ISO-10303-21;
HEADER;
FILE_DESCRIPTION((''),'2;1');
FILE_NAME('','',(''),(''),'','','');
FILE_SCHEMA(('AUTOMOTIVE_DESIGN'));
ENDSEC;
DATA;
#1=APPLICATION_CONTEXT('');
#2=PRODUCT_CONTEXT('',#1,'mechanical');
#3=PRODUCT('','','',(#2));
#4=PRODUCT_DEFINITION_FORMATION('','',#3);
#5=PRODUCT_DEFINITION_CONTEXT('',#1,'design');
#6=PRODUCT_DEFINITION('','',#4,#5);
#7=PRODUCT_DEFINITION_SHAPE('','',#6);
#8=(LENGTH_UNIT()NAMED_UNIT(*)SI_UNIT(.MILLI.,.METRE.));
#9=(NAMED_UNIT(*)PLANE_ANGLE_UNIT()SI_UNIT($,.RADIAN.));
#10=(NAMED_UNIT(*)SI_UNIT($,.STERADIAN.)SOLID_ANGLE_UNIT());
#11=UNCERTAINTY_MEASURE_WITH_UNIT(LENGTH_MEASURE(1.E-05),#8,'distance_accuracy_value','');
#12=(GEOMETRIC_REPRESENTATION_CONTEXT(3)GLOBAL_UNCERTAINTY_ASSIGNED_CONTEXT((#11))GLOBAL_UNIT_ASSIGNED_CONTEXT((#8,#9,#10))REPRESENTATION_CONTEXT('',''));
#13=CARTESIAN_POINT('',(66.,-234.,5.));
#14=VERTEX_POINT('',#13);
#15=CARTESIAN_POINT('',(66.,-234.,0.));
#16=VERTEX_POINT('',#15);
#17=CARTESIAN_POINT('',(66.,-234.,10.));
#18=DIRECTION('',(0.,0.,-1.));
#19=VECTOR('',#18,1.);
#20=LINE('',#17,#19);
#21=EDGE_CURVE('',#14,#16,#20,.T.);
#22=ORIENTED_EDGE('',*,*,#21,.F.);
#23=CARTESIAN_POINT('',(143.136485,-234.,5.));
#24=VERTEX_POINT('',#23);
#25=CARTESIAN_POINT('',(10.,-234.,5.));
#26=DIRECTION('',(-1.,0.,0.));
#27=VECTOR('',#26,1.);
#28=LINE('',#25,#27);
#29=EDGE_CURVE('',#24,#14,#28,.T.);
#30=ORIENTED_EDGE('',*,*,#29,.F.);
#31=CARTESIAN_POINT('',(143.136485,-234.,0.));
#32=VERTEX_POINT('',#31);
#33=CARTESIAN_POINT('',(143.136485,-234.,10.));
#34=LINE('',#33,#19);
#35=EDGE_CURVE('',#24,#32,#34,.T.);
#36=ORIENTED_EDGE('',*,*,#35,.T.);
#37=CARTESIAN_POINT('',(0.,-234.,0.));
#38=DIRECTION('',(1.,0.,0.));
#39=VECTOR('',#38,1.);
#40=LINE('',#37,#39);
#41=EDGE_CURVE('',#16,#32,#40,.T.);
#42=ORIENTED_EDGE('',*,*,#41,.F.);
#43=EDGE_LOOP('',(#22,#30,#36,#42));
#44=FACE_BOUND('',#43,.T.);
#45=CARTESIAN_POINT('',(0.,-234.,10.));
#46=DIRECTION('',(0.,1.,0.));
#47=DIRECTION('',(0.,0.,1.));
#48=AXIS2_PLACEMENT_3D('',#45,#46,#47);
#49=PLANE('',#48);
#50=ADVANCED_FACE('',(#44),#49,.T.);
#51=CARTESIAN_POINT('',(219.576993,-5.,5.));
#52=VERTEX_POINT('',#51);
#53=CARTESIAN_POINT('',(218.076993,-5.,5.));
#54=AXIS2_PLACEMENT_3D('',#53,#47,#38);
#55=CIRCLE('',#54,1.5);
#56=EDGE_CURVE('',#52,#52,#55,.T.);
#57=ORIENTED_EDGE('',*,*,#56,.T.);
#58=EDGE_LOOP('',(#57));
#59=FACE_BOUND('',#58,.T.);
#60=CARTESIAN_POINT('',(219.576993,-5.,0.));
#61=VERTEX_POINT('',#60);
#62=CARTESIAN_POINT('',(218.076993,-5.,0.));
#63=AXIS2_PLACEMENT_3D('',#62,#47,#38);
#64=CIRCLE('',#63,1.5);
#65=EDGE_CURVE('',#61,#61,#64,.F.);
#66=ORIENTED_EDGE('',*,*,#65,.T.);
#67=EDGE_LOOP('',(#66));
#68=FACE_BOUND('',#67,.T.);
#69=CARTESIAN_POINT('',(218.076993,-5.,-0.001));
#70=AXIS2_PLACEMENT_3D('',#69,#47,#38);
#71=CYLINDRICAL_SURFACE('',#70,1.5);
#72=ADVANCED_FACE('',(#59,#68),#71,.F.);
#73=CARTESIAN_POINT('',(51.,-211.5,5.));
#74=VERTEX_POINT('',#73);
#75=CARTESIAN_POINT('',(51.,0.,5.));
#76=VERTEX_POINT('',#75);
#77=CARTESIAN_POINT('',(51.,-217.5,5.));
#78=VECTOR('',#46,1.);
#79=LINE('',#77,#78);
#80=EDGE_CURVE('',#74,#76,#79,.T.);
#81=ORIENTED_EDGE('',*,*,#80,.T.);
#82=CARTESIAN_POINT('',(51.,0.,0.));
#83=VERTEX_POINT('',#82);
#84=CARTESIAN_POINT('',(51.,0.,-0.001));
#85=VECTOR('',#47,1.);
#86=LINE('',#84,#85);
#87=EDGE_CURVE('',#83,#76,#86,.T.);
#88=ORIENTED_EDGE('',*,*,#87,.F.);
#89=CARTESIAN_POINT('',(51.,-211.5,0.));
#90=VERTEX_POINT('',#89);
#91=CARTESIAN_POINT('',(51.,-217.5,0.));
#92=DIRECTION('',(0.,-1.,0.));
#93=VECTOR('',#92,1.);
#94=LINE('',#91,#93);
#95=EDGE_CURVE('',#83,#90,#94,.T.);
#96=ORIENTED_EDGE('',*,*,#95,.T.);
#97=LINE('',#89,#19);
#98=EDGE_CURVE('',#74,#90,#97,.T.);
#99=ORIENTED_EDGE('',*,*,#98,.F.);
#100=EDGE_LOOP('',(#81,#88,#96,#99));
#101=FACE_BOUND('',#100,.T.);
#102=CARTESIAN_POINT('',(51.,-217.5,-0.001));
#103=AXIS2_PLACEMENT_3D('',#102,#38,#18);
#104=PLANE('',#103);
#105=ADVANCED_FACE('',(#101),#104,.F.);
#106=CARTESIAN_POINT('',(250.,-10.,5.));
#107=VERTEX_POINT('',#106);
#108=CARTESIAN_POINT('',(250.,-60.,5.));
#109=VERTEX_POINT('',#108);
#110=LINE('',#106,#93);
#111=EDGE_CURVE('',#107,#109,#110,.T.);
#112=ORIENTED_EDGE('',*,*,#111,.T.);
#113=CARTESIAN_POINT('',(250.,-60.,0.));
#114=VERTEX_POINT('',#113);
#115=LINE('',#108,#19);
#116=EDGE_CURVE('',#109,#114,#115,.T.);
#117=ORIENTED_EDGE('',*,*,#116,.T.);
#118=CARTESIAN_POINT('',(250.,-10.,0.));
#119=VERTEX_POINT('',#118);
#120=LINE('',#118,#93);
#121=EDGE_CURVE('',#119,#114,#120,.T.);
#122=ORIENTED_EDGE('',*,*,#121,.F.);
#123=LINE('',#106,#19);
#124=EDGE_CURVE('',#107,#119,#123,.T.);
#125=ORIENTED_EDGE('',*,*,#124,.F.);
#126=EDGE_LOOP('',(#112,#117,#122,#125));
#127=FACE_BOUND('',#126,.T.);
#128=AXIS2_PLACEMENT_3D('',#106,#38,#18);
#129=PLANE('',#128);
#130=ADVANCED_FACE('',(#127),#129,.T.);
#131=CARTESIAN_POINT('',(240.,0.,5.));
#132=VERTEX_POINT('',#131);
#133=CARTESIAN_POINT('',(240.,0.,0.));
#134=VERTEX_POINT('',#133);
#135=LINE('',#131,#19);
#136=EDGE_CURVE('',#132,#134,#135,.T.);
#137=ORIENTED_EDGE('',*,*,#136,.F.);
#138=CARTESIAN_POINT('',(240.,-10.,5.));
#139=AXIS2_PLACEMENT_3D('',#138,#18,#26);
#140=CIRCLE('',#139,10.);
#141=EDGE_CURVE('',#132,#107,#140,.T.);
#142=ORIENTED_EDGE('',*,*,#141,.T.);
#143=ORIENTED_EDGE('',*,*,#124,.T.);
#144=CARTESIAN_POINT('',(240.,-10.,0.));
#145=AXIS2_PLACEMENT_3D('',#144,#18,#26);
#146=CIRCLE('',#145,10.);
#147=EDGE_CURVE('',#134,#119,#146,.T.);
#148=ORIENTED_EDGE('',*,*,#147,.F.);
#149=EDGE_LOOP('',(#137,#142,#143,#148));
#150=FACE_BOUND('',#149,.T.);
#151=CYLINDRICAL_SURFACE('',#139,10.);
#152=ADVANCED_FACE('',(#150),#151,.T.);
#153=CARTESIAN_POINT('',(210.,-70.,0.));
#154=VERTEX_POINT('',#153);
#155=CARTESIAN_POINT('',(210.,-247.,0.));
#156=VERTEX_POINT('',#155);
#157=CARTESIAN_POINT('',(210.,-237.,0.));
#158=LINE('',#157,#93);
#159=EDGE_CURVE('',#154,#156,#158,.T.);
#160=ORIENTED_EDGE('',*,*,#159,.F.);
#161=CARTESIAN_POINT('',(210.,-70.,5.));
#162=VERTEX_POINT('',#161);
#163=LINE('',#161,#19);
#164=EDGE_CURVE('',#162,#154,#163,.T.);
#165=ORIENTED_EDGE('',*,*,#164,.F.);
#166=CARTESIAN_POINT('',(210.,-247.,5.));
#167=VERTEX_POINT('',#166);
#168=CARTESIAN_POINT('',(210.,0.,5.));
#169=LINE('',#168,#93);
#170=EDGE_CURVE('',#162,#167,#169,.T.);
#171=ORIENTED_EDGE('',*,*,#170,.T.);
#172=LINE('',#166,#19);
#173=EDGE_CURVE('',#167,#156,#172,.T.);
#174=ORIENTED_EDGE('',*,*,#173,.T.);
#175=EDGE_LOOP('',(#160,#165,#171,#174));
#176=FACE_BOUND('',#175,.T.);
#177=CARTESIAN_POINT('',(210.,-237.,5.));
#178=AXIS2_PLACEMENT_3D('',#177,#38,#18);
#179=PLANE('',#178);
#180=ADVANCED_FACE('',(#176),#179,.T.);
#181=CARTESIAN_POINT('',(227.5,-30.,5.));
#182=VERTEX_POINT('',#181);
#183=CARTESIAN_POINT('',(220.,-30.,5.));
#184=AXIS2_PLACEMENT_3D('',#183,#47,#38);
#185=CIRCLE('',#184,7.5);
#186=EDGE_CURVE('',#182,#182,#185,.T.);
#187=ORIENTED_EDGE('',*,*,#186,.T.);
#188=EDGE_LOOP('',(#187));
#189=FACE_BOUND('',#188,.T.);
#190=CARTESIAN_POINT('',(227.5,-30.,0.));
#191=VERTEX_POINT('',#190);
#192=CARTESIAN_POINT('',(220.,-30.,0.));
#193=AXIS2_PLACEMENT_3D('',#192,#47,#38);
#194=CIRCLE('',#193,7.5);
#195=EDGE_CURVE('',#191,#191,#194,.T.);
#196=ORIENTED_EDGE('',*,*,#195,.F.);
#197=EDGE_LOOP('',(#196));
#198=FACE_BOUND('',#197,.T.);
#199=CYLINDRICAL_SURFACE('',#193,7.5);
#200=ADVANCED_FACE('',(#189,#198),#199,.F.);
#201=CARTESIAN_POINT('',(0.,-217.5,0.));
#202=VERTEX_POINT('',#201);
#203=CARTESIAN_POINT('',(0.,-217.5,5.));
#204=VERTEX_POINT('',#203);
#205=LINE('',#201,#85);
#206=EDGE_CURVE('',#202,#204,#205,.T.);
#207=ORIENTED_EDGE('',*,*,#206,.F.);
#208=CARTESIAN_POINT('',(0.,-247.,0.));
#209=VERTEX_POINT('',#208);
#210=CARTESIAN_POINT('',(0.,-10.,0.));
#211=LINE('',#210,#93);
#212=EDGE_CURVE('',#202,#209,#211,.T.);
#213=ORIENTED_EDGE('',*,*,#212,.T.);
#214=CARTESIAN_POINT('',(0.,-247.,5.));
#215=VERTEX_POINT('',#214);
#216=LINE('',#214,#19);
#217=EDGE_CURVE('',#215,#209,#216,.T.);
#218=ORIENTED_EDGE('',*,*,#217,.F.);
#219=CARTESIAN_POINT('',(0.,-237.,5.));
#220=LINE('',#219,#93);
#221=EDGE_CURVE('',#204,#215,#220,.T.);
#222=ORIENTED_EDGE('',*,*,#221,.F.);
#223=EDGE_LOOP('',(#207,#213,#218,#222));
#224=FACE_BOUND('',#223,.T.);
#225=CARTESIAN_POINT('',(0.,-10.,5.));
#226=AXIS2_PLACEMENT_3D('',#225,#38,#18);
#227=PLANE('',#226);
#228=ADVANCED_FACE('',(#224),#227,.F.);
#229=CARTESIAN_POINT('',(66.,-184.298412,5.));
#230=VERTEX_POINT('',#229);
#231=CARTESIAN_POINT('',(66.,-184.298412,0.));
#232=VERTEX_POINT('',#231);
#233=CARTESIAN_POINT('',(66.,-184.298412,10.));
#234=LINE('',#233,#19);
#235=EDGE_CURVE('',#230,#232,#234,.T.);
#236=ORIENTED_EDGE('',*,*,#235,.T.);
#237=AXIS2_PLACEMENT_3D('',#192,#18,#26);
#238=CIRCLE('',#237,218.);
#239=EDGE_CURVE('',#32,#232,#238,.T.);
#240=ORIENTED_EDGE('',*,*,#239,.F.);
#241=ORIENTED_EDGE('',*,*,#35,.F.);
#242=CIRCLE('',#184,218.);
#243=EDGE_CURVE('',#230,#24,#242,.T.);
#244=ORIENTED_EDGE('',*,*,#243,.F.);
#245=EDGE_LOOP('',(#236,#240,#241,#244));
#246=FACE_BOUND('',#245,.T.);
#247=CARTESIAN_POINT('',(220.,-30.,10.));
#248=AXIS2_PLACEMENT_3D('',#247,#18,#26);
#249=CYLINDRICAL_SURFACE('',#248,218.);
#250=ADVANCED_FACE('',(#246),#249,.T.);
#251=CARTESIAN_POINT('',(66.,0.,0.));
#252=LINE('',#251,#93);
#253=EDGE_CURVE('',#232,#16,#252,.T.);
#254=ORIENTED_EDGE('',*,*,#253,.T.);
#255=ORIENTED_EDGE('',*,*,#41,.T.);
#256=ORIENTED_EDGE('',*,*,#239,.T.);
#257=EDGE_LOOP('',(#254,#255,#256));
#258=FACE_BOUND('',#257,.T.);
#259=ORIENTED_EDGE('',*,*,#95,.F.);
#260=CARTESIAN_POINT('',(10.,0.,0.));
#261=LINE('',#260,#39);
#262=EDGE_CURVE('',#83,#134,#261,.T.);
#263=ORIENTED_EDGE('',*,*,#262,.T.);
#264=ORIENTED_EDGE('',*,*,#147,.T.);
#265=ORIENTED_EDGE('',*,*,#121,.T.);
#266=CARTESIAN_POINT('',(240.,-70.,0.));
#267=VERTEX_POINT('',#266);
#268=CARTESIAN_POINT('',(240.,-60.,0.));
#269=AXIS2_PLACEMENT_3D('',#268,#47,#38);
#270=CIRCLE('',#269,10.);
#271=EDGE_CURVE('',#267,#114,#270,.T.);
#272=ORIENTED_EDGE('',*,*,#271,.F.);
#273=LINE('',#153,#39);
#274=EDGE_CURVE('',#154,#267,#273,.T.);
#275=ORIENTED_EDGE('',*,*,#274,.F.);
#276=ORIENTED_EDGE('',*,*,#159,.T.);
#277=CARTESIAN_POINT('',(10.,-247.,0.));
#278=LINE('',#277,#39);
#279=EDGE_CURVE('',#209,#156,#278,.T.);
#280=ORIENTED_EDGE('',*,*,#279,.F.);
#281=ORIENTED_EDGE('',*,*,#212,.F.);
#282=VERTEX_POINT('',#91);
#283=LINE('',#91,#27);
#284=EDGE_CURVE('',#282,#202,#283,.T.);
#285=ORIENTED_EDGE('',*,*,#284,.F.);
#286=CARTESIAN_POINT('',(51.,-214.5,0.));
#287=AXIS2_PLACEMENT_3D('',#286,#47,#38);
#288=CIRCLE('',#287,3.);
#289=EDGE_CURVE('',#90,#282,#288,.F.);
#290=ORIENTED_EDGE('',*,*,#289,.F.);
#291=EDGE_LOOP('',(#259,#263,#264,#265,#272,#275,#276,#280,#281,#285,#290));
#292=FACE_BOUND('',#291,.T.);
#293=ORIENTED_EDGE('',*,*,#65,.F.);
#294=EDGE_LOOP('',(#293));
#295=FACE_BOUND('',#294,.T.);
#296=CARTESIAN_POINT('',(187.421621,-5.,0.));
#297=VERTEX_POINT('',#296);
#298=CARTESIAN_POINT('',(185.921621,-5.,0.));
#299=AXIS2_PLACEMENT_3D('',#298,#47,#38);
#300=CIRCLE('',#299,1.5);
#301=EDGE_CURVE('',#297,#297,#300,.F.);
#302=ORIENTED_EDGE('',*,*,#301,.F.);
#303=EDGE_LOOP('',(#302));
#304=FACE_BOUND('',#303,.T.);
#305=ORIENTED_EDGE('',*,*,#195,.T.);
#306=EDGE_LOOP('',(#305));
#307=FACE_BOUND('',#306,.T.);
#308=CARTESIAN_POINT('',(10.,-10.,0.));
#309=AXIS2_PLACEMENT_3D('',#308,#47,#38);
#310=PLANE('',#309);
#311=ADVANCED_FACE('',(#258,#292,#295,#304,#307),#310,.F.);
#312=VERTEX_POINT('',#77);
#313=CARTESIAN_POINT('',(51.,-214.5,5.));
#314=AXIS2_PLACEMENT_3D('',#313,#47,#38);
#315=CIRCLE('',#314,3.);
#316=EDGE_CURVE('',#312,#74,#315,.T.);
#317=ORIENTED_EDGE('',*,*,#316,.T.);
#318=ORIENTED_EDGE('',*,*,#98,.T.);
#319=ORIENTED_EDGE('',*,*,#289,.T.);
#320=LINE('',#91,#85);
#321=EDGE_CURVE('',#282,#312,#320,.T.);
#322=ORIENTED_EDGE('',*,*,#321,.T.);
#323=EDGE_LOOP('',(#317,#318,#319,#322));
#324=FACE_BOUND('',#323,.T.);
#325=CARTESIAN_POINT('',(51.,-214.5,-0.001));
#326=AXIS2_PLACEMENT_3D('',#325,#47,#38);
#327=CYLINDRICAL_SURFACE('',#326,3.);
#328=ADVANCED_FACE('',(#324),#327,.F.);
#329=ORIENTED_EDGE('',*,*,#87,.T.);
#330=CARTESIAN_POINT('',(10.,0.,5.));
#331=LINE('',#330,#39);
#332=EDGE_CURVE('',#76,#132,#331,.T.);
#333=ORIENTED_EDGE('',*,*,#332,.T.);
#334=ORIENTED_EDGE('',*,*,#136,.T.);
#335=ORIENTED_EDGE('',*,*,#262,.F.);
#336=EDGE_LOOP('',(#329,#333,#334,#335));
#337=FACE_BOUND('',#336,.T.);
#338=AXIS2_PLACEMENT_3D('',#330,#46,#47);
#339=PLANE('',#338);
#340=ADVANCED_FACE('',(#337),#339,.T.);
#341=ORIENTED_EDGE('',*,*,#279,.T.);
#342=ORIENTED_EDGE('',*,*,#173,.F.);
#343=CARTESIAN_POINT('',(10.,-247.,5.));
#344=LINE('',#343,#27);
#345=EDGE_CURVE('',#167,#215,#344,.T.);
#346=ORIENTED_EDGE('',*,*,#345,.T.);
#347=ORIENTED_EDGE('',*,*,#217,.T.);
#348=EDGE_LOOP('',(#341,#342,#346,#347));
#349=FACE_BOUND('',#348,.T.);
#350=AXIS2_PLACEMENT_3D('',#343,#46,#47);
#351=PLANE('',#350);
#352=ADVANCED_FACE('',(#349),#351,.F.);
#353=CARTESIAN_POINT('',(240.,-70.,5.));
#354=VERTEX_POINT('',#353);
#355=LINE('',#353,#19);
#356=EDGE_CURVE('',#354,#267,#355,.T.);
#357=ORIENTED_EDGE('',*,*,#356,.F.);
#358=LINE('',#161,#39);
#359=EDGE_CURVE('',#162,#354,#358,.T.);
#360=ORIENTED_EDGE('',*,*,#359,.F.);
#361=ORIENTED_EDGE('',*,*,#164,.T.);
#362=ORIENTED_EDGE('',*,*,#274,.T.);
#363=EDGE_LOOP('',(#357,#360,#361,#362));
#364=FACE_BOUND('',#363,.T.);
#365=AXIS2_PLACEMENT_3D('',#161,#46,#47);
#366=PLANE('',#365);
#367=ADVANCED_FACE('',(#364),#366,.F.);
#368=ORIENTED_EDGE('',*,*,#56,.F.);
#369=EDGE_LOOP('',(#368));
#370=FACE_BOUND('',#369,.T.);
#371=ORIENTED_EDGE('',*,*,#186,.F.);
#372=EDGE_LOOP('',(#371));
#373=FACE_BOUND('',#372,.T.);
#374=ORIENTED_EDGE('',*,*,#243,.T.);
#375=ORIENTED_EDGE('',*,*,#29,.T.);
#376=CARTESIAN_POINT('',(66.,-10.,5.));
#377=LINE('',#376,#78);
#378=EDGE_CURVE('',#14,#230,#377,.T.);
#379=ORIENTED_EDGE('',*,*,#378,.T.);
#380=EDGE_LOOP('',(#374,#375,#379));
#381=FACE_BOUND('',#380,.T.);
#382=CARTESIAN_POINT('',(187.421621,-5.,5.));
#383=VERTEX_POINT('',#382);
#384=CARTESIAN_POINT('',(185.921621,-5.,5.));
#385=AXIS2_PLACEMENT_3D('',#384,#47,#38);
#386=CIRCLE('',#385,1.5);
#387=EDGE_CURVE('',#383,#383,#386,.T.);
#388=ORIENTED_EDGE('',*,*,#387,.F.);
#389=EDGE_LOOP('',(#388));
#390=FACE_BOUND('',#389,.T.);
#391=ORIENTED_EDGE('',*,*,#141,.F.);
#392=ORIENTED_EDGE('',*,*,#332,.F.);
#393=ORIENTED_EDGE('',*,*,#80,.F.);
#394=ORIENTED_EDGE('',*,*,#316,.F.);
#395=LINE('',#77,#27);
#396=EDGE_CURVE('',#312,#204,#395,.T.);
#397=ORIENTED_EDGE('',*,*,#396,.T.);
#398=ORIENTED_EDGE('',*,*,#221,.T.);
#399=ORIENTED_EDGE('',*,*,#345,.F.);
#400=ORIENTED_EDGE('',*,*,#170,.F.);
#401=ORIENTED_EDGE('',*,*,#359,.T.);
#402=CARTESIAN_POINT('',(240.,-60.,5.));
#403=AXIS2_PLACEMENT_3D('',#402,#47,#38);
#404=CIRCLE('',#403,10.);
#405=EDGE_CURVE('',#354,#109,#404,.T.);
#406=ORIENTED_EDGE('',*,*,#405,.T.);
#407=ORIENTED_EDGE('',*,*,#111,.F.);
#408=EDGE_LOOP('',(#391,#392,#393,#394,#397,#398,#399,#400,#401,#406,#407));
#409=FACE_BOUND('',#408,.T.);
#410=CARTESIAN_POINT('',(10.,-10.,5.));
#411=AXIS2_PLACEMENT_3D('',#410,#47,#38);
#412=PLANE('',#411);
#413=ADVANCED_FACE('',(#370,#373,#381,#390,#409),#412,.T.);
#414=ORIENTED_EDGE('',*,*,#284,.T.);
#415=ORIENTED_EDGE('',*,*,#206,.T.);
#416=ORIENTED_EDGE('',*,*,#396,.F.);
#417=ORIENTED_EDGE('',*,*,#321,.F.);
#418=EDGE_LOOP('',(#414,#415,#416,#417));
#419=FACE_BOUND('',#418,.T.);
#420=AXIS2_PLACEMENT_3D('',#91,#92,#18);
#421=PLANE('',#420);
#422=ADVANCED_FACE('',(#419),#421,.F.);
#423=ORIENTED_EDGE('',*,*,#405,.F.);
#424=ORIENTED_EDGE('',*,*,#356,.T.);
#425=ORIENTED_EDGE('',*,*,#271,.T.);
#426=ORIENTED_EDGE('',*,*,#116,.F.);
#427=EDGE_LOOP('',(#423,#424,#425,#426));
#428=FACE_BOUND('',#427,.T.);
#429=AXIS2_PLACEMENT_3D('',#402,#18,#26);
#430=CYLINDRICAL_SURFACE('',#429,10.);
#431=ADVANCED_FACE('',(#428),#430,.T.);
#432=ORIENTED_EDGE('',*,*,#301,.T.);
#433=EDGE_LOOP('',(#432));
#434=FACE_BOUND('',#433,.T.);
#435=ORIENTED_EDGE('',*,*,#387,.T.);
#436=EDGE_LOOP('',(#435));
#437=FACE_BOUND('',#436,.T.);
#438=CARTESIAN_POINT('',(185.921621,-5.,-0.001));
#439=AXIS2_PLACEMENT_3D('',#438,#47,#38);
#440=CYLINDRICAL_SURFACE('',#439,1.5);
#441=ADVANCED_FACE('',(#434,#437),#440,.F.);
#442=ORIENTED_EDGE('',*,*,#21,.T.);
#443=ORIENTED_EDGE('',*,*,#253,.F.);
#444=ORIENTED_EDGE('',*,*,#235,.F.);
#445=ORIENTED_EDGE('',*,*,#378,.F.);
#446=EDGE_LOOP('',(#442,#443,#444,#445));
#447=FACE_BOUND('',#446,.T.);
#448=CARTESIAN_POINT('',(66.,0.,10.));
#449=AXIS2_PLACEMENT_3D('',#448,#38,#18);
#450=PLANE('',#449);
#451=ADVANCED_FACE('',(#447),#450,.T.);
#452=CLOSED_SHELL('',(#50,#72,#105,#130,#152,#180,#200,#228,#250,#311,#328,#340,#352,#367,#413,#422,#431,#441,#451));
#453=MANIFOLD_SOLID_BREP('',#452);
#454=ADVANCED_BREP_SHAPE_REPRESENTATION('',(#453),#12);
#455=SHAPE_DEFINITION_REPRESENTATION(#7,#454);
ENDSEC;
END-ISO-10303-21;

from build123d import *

# Parameters (mm, degrees)
EXTRUDE_1_DEPTH     = 5
SKETCH_2_R          = 7.5
CUT_EXTRUDE_1_DEPTH = 5
SKETCH_3_W          = 5
SKETCH_3_H          = 6
CUT_EXTRUDE_3_DEPTH = 51
CUT_EXTRUDE_4_REACH = 353.474
CUT_EXTRUDE_6_REACH = 353.474
SKETCH_6_R          = 1.5
CUT_EXTRUDE_7_REACH = 353.474
SKETCH_7_W          = 51
SKETCH_7_H          = 217.5
CUT_EXTRUDE_9_DEPTH = 10


with BuildPart() as part:
    # 草图1 → 凸台-拉伸1 (new body)
    with BuildSketch(Plane.XY):
        with BuildLine():
            Line((210, -247), (210, -237))
            Line((210, -237), (210, -70))
            Line((210, -70), (210, 0))
            Line((210, 0), (10, 0))
            ThreePointArc((10, 0), (2.928932188, -2.928932188), (0, -10))
            Line((0, -10), (0, -237))
            Line((0, -237), (0, -247))
            Line((0, -247), (10, -247))
            Line((10, -247), (200, -247))
            Line((200, -247), (210, -247))
        make_face()
        with BuildLine():
            Line((210, 0), (210, -70))
            Line((210, -70), (240, -70))
            ThreePointArc((240, -70), (247.071067812, -67.071067812), (250, -60))
            Line((250, -60), (250, -10))
            ThreePointArc((250, -10), (247.071067812, -2.928932188), (240, 0))
            Line((240, 0), (210, 0))
        make_face()
    extrude(amount=EXTRUDE_1_DEPTH)

    # 草图2 → 切除-拉伸1 (cut)
    with BuildSketch(Plane.XY.offset(5)):
        with Locations((220, -30)):
            Circle(SKETCH_2_R)
    extrude(amount=-CUT_EXTRUDE_1_DEPTH, mode=Mode.SUBTRACT)

    # 草图3 → 切除-拉伸3 (cut)
    with BuildSketch(Plane.ZY):
        with Locations((2.5, -214.5)):
            Rectangle(SKETCH_3_W, SKETCH_3_H)
    extrude(amount=-CUT_EXTRUDE_3_DEPTH, mode=Mode.SUBTRACT)

    # 草图4 → 切除-拉伸4 (cut, up to next)
    with BuildSketch(Plane.XY.offset(5), mode=Mode.PRIVATE) as cut_extrude_4_sk1:
        with BuildLine():
            Line((51, -211.5), (51, -217.5))
            ThreePointArc((51, -217.5), (54, -214.5), (51, -211.5))
        make_face()
    cut_extrude_4_tool1 = extrude(cut_extrude_4_sk1.sketch, amount=-CUT_EXTRUDE_4_REACH, mode=Mode.PRIVATE) & part.part
    add(cut_extrude_4_tool1.solids().sort_by_distance((52.27324, -214.5, 5))[0], mode=Mode.SUBTRACT)

    # 草图6 → 切除-拉伸6 (cut, up to next)
    with BuildSketch(Plane.XY.offset(5), mode=Mode.PRIVATE) as cut_extrude_6_sk1:
        with Locations((218.076993274, -5)):
            Circle(SKETCH_6_R)
    cut_extrude_6_tool1 = extrude(cut_extrude_6_sk1.sketch, amount=-CUT_EXTRUDE_6_REACH, mode=Mode.PRIVATE) & part.part
    # 草图6 → 切除-拉伸6 (cut, up to next)
    with BuildSketch(Plane.XY.offset(5), mode=Mode.PRIVATE) as cut_extrude_6_sk2:
        with Locations((185.921620837, -5)):
            Circle(SKETCH_6_R)
    cut_extrude_6_tool2 = extrude(cut_extrude_6_sk2.sketch, amount=-CUT_EXTRUDE_6_REACH, mode=Mode.PRIVATE) & part.part
    add(cut_extrude_6_tool1.solids().sort_by_distance((218.076993, -5, 5))[0], mode=Mode.SUBTRACT)
    add(cut_extrude_6_tool2.solids().sort_by_distance((185.921621, -5, 5))[0], mode=Mode.SUBTRACT)

    # 草图7 → 切除-拉伸7 (cut, up to next)
    with BuildSketch(Plane.XY.offset(5), mode=Mode.PRIVATE) as cut_extrude_7_sk1:
        with Locations((25.5, -108.75)):
            Rectangle(SKETCH_7_W, SKETCH_7_H)
    cut_extrude_7_tool1 = extrude(cut_extrude_7_sk1.sketch, amount=-CUT_EXTRUDE_7_REACH, mode=Mode.PRIVATE) & part.part
    add(cut_extrude_7_tool1.solids().sort_by_distance((25.5, -108.75, 5))[0], mode=Mode.SUBTRACT)

    # 草图8 → 切除-拉伸9 (cut)
    with BuildSketch(Plane(origin=(0, 0, 0), x_dir=(-1, 0, 0), z_dir=(0, 0, -1))):
        with BuildLine():
            Line((-66, -234), (-66, -184.298412176))
            ThreePointArc((-66, -184.298412176), (-101.923530523, -213.253778558), (-143.136484598, -234))
            Line((-143.136484598, -234), (-66, -234))
        make_face()
    extrude(amount=-CUT_EXTRUDE_9_DEPTH, mode=Mode.SUBTRACT)


solid = part.part
